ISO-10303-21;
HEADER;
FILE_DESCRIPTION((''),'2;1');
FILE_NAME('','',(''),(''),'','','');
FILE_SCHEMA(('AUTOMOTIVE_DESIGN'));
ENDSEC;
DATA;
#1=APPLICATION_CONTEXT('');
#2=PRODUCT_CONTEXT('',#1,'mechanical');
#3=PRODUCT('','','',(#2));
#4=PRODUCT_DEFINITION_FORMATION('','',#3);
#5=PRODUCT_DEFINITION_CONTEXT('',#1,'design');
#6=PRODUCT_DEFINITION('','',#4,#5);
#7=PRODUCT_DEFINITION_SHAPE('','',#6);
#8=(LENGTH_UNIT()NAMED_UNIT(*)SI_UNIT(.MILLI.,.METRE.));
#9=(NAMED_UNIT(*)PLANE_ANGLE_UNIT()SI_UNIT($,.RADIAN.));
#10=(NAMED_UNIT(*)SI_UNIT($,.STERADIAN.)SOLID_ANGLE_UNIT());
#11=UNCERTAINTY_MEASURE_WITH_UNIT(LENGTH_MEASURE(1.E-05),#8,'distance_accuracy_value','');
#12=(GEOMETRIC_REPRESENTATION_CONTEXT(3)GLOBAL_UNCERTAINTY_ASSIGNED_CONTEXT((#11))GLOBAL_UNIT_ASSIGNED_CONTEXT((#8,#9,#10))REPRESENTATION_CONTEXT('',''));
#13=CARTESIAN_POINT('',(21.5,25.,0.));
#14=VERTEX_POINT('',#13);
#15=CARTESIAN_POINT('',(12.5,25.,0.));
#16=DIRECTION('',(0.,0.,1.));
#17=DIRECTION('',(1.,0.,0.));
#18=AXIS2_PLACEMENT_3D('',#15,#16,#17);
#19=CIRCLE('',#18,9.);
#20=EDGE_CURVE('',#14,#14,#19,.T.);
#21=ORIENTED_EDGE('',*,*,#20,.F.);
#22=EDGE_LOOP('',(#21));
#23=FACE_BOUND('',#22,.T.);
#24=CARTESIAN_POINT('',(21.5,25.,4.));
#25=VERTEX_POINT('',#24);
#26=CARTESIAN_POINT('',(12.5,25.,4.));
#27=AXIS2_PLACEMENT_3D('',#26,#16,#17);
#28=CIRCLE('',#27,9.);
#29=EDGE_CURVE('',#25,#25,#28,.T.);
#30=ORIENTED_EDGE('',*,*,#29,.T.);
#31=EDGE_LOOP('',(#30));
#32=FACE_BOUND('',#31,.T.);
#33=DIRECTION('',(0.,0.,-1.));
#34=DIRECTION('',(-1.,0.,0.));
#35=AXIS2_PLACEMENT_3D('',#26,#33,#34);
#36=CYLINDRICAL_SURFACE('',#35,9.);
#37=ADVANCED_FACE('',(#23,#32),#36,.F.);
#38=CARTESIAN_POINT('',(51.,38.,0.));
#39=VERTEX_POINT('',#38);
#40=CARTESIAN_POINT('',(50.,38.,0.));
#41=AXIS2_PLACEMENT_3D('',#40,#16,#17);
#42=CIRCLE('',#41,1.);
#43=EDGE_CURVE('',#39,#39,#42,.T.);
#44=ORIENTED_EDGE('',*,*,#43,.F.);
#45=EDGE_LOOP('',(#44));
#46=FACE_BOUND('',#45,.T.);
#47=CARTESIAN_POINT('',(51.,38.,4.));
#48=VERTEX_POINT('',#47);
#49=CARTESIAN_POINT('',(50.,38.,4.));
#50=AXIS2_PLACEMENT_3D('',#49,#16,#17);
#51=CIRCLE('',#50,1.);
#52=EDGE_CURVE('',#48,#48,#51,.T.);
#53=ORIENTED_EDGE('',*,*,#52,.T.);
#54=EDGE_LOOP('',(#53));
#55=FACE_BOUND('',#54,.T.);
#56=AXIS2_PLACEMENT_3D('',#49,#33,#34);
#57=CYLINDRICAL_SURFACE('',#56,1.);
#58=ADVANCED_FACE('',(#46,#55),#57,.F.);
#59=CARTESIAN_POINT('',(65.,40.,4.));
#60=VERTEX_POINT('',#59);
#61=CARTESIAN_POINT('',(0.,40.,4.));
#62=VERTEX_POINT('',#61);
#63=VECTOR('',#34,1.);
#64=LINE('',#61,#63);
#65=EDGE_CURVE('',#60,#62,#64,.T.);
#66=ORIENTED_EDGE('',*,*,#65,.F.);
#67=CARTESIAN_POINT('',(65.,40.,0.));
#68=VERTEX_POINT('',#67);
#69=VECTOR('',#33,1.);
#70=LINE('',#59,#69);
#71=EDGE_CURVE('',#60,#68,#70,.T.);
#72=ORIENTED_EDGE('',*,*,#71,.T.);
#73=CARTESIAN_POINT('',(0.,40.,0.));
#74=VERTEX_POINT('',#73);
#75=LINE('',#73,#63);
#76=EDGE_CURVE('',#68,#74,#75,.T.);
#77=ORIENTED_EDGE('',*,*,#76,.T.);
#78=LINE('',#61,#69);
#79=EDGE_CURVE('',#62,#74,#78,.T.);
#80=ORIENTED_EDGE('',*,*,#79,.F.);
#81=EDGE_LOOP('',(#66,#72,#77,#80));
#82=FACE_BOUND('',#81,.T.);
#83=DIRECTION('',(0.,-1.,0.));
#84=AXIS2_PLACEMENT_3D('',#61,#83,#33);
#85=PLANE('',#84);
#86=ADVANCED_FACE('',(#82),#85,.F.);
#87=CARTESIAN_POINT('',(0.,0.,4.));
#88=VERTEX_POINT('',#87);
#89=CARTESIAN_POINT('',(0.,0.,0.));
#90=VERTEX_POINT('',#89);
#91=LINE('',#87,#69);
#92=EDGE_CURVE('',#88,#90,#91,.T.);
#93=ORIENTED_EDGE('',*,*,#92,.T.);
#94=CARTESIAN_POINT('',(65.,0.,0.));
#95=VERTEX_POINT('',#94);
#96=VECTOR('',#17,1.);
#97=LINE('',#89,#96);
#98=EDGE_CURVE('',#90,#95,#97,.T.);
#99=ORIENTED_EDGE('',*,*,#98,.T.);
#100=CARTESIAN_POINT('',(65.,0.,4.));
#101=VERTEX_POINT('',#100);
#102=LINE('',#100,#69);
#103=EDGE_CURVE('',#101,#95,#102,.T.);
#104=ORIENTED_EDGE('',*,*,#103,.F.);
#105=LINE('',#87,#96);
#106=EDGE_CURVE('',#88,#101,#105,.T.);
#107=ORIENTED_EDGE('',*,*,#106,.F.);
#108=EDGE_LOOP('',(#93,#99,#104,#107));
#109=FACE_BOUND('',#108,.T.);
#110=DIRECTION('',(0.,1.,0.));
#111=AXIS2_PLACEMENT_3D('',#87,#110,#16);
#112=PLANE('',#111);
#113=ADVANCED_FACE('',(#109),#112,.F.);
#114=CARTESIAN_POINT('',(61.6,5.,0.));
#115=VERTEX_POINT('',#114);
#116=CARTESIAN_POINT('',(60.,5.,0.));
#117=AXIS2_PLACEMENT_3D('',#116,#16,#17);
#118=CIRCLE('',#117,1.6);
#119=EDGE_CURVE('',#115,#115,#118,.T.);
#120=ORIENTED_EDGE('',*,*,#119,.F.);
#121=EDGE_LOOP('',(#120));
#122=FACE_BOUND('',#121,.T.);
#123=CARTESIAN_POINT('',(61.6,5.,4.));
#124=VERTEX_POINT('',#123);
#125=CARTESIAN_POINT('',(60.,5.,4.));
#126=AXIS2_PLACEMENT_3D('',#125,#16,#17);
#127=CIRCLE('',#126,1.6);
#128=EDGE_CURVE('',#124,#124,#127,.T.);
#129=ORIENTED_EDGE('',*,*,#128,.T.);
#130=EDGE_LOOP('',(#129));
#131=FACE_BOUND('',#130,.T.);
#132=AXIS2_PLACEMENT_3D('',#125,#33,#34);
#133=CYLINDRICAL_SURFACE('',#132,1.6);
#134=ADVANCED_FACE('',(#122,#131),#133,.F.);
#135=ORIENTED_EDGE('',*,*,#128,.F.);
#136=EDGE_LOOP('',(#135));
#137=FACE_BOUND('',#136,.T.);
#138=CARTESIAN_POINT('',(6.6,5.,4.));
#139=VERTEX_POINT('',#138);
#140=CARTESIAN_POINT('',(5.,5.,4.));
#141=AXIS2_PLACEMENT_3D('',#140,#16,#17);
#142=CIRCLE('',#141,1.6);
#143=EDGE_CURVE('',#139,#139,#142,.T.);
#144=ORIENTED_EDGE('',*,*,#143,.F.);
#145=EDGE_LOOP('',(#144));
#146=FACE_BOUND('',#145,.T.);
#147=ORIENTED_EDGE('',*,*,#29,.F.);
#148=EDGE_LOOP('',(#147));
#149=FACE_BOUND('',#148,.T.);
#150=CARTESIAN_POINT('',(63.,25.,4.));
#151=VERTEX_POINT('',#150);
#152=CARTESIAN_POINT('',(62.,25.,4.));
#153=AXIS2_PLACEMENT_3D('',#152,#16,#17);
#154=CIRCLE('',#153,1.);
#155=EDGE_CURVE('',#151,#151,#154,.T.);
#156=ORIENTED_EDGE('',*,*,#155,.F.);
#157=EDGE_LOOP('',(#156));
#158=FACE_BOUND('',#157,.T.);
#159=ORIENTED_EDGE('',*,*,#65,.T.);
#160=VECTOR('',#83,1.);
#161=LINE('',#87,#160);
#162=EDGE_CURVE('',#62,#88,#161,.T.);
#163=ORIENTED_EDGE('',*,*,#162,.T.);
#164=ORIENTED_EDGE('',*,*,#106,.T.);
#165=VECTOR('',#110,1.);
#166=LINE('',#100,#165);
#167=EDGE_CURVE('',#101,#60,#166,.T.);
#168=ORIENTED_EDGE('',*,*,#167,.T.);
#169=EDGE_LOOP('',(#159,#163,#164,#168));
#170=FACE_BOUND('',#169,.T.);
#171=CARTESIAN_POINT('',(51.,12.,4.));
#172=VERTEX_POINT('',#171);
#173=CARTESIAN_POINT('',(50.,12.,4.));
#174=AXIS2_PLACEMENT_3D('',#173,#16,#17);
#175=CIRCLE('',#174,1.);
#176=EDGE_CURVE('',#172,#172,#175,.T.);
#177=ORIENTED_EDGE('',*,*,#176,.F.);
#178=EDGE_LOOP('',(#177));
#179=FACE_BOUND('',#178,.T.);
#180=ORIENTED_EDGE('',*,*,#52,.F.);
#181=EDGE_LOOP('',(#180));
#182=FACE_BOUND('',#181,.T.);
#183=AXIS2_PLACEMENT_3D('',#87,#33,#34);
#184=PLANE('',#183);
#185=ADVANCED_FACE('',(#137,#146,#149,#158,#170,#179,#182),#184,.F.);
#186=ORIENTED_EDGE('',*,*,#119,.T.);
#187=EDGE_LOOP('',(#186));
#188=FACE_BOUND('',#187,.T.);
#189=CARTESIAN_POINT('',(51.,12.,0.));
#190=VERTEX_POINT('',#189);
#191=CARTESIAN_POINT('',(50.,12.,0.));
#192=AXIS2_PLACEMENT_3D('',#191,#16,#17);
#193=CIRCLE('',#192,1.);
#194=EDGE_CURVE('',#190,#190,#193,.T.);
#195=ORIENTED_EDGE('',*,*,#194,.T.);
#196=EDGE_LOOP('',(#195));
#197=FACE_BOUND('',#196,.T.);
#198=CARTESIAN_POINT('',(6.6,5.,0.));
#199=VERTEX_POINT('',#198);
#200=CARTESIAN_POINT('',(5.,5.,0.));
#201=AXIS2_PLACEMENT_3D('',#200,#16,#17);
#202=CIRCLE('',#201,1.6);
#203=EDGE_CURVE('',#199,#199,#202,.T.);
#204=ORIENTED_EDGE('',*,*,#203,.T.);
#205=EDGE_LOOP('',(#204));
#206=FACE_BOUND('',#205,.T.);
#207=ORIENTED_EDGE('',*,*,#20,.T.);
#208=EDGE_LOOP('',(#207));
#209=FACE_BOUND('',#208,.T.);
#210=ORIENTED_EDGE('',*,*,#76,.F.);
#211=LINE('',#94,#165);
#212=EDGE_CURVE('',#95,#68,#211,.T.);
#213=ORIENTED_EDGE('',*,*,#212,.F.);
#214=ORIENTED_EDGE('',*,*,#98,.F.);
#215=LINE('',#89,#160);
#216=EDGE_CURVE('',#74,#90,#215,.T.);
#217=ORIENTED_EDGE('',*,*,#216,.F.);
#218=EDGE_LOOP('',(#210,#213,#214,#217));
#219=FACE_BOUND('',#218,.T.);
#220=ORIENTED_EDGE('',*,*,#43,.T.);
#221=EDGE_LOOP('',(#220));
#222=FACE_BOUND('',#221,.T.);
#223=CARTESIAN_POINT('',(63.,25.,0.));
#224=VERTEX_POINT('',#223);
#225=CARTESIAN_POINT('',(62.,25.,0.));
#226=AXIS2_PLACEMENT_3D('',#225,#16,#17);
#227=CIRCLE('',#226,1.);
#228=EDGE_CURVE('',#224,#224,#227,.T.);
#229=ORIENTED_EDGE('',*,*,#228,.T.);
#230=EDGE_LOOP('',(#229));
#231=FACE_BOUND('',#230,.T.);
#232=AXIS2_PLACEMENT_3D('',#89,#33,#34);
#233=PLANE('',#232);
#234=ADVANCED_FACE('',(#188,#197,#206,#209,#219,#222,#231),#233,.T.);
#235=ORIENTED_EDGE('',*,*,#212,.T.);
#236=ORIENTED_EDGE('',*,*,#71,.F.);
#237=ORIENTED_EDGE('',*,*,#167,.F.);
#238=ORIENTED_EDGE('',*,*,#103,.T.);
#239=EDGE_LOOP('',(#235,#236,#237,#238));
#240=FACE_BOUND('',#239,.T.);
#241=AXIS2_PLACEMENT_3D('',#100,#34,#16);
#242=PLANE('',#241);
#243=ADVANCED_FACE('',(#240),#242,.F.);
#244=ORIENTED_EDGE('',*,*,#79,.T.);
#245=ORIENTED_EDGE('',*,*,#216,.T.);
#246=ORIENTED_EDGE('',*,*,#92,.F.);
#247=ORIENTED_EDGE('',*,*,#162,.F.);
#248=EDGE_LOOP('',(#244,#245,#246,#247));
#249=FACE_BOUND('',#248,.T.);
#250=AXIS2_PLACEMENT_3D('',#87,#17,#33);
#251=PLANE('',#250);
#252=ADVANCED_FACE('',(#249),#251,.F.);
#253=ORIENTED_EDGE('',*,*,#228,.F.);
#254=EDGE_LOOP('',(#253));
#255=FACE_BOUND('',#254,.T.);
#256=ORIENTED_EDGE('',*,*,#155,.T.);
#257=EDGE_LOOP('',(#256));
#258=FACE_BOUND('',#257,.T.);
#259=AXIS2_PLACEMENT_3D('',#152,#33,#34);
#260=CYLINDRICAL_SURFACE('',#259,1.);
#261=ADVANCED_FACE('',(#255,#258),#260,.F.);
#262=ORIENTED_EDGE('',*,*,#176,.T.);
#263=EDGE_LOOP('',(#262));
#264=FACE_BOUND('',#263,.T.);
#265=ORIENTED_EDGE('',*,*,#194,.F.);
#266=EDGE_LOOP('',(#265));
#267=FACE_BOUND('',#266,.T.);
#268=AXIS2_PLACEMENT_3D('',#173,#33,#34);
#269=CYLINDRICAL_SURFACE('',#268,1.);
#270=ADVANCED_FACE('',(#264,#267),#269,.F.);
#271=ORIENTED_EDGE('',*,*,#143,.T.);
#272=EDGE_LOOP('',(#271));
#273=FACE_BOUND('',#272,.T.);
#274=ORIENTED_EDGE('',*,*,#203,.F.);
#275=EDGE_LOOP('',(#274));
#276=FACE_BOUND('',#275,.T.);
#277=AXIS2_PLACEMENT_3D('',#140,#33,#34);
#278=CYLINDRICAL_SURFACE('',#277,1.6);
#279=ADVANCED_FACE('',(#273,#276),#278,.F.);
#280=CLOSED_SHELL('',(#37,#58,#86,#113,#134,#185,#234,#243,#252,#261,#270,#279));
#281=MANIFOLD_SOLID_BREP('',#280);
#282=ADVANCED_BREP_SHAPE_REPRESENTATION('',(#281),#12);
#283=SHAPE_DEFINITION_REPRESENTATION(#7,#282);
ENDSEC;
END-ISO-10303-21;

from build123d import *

# Parameters (mm, degrees)
SKETCH_1_W      = 65
SKETCH_1_H      = 40
SKETCH_1_R      = 1.6
SKETCH_1_R_2    = 1
SKETCH_1_R_3    = 9
EXTRUDE_1_DEPTH = 4


with BuildPart() as part:
    # ｽｹｯﾁ1 → ﾎﾞｽ - 押し出し1 (new body)
    with BuildSketch(Plane.XY):
        with Locations((32.5, 20)):
            Rectangle(SKETCH_1_W, SKETCH_1_H)
        with Locations((5, 5)):
            Circle(SKETCH_1_R, mode=Mode.SUBTRACT)
        with Locations((60, 5)):
            Circle(SKETCH_1_R, mode=Mode.SUBTRACT)
        with Locations((50, 12)):
            Circle(SKETCH_1_R_2, mode=Mode.SUBTRACT)
        with Locations((62, 25)):
            Circle(SKETCH_1_R_2, mode=Mode.SUBTRACT)
        with Locations((50, 38)):
            Circle(SKETCH_1_R_2, mode=Mode.SUBTRACT)
        with Locations((12.5, 25)):
            Circle(SKETCH_1_R_3, mode=Mode.SUBTRACT)
    extrude(amount=EXTRUDE_1_DEPTH)


solid = part.part
